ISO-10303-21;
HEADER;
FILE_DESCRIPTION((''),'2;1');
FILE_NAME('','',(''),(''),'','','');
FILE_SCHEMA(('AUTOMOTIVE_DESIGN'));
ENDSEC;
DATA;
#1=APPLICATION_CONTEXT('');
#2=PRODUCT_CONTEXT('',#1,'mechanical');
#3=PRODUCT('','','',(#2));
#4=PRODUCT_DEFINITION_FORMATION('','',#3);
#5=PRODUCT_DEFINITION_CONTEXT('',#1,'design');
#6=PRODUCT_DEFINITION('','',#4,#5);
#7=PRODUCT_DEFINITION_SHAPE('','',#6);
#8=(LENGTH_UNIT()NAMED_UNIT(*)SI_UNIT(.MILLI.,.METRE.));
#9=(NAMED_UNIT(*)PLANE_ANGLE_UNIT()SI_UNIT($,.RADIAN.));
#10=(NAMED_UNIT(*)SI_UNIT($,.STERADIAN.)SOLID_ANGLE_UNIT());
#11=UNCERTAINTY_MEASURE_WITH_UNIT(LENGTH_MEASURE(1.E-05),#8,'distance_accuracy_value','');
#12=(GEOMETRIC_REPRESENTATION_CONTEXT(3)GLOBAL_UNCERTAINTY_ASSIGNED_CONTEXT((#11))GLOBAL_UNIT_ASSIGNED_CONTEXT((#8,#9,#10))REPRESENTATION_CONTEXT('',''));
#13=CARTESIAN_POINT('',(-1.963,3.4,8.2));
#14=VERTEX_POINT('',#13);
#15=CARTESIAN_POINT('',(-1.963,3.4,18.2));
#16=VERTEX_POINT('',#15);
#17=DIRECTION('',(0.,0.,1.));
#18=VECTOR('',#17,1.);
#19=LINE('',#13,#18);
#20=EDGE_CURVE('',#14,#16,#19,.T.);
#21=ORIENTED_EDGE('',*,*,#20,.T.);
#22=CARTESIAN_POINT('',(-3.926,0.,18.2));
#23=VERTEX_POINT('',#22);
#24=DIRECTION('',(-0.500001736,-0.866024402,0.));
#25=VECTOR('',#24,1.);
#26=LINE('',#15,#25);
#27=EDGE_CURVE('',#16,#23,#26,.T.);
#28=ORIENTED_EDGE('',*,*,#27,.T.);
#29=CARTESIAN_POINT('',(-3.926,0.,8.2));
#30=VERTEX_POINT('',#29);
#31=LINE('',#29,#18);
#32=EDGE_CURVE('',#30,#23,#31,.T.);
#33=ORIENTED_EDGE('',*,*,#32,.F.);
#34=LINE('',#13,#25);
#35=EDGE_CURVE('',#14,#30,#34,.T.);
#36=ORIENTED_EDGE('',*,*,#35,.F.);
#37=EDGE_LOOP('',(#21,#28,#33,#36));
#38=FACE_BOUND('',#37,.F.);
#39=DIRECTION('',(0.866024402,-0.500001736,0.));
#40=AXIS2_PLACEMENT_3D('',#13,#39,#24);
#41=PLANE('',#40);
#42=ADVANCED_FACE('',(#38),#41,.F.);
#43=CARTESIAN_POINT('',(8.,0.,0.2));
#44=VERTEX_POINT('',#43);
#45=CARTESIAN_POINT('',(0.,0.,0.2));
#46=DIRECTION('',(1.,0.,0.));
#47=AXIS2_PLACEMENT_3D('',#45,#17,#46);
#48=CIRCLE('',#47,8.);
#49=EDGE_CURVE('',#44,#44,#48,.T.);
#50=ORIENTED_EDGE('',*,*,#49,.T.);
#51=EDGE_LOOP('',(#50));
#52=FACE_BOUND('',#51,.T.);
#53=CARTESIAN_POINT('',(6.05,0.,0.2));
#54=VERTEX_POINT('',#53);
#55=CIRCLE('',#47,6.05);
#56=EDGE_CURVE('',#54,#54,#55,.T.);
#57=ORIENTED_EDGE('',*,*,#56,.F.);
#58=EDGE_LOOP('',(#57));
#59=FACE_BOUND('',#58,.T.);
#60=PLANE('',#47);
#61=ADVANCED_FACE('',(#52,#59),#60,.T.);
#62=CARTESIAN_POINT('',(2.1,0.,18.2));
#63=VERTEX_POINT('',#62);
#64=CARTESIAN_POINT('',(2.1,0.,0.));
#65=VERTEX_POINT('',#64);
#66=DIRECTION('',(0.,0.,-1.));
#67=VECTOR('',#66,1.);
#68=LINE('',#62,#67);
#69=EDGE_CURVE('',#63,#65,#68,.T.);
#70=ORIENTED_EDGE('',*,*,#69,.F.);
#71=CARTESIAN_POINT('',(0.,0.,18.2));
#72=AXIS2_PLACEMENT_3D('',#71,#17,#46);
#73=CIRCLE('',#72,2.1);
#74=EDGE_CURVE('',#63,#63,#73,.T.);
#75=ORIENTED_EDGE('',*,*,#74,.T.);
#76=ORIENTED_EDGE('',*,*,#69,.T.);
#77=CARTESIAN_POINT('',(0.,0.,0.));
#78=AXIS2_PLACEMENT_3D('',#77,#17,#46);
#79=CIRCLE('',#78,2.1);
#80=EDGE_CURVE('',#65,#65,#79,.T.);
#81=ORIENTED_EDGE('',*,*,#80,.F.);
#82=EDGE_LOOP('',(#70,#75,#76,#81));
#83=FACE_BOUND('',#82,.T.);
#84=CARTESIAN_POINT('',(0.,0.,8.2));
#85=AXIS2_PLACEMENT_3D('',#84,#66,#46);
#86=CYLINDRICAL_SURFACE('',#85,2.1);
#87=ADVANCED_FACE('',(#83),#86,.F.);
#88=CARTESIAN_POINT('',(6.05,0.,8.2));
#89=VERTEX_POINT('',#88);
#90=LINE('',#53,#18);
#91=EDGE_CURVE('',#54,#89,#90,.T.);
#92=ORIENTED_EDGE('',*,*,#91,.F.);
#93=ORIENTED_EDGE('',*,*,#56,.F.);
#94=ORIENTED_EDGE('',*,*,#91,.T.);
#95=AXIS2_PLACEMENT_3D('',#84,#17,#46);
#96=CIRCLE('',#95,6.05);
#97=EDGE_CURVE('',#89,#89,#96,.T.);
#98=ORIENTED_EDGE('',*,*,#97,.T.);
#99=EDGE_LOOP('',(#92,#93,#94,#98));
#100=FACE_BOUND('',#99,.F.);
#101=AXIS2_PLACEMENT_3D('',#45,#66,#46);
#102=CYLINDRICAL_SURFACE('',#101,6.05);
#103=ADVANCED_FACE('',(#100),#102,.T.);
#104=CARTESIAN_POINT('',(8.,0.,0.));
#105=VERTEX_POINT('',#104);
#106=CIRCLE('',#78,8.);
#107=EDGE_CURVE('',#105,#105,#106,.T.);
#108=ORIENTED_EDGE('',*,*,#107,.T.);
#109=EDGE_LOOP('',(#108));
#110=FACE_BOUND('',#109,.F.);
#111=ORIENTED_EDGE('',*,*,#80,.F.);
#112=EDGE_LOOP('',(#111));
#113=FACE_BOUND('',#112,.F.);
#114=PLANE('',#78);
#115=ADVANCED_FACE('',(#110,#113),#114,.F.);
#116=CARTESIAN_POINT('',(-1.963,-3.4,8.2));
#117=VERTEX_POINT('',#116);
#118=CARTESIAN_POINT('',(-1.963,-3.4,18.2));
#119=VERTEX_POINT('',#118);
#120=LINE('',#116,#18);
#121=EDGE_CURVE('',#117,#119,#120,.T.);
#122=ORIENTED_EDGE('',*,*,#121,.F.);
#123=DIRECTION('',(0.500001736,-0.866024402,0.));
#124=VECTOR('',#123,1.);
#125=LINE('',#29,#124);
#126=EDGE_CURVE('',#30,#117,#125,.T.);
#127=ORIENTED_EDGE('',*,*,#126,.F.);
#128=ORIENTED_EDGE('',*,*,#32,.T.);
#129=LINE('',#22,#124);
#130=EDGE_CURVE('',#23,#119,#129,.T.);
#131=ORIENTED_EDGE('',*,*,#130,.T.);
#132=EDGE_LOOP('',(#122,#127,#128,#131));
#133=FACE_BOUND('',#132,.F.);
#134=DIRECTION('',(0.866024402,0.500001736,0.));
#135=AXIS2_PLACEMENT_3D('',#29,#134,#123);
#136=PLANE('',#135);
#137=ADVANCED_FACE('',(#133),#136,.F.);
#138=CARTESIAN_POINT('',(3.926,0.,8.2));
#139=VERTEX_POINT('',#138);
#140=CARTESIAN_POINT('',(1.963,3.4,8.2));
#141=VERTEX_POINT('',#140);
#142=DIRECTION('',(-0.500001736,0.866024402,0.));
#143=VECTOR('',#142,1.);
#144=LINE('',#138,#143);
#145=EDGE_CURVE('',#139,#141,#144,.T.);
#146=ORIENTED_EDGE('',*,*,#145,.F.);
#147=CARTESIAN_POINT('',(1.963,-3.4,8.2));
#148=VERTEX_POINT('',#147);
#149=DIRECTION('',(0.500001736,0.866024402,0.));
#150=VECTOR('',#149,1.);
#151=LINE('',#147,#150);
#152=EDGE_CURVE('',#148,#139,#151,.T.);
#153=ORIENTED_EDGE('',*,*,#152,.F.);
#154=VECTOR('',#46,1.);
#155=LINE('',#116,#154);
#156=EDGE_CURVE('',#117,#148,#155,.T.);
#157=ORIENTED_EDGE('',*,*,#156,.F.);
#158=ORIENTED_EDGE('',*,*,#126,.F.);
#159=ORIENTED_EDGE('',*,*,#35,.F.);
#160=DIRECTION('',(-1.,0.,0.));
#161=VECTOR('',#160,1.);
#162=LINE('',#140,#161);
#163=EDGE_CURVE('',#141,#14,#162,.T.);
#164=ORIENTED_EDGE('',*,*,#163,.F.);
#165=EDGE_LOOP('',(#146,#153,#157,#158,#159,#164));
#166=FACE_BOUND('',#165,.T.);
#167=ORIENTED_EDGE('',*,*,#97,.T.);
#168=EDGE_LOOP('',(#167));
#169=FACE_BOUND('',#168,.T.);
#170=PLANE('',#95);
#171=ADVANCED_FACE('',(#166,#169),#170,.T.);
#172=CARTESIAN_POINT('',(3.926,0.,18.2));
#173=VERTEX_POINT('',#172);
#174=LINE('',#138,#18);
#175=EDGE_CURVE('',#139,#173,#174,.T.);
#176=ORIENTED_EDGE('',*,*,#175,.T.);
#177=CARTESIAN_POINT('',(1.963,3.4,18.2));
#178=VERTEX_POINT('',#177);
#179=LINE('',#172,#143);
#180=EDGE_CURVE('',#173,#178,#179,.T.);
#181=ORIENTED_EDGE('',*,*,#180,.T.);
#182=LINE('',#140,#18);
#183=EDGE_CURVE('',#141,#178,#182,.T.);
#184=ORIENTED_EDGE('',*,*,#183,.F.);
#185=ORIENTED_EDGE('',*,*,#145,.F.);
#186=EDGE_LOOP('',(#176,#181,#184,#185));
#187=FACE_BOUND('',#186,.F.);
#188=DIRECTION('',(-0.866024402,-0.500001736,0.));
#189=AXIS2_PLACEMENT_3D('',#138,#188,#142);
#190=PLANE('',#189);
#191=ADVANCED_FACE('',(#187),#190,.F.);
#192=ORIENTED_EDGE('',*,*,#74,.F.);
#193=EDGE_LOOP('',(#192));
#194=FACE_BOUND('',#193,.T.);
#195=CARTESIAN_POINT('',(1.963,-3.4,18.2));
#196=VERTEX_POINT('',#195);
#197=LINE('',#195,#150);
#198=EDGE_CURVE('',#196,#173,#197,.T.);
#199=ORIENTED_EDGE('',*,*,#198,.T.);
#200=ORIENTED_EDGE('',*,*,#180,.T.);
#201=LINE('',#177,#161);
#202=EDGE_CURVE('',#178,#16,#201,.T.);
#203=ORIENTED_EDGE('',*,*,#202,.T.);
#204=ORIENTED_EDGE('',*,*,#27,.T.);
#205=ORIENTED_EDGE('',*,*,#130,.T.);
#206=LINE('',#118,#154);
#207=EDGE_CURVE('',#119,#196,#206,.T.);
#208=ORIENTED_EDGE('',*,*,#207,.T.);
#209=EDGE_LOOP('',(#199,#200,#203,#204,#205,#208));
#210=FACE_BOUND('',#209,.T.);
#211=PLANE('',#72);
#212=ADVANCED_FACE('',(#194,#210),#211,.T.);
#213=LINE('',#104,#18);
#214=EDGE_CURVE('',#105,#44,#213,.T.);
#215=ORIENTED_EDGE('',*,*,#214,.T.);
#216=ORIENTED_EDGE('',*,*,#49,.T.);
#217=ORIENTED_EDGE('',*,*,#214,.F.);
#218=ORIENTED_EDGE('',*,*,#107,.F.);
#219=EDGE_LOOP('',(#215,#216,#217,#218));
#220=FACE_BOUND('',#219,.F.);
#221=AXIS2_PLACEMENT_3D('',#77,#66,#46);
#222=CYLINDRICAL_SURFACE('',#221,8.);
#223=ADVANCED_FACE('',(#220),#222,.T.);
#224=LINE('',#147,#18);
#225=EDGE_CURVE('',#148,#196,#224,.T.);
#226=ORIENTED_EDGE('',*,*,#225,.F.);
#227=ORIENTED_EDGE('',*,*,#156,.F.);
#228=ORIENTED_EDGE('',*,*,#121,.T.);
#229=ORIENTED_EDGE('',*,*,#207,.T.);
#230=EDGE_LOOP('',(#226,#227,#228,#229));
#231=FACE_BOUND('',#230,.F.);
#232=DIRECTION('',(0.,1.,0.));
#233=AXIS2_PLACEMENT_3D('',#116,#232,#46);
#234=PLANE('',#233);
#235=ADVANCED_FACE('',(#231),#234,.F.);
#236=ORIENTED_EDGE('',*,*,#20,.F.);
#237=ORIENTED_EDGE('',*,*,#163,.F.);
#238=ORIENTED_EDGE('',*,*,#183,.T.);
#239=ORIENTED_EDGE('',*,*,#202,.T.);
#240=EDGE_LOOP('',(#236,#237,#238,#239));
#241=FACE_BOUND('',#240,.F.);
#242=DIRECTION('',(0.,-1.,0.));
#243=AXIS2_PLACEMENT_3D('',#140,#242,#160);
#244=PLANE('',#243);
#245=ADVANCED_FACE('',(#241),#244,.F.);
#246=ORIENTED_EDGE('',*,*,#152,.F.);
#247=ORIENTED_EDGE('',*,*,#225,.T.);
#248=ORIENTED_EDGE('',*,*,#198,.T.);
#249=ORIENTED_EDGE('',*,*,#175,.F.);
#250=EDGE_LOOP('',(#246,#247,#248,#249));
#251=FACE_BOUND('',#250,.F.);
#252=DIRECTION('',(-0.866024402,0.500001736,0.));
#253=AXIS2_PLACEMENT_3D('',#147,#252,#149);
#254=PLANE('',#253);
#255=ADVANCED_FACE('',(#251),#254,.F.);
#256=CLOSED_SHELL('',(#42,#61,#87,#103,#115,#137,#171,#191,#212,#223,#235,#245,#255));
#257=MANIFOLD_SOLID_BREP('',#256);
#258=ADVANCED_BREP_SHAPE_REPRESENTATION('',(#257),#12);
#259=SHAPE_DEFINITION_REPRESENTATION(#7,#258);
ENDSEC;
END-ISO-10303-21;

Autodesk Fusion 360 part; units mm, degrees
sketch "Sketch2" plane through (0, 0, 0) normal (0, 0, 1) x (1, 0, 0)
  circle A0 centre (0, 0) radius 9
  circle A1 centre (0, 0) radius 8
  circle A2 centre (0, 0) radius 2.1
  dimension "d10" = 16
  dimension "d26" = 4.2
extrude "Extrude3" add sketch "Sketch2" along normal blind 0.2 contours A1
sketch "Sketch3" plane through (0, 0, 0.2) normal (0, 0, 1) x (1, 0, 0)
  circle A0 centre (0, 0) radius 6.05
  circle A1 centre (0, 0) radius 8
  circle A2 centre (0, 0) radius 2.1
  dimension "d13" = 12.1
extrude "Extrude4" add sketch "Sketch3" along normal blind 8 contours A0
sketch "Sketch4" plane through (0, 0, 8.2) normal (0, 0, 1) x (1, 0, 0)
  circle A0 centre (0, 0) radius 6.05
  line L0 (-1.963, 3.4) -> (-3.926, 0)
  line L1 (-3.926, 0) -> (-1.963, -3.4)
  line L2 (-1.963, -3.4) -> (1.963, -3.4)
  line L3 (1.963, -3.4) -> (3.926, 0)
  line L4 (3.926, 0) -> (1.963, 3.4)
  line L5 (1.963, 3.4) -> (-1.963, 3.4)
  circle A1 centre (0, 0) radius 2.1
  dimension "d24" = 6.8
extrude "Extrude5" add sketch "Sketch4" along normal blind 10 contours L0 L1 L2 L3 L4 L5
